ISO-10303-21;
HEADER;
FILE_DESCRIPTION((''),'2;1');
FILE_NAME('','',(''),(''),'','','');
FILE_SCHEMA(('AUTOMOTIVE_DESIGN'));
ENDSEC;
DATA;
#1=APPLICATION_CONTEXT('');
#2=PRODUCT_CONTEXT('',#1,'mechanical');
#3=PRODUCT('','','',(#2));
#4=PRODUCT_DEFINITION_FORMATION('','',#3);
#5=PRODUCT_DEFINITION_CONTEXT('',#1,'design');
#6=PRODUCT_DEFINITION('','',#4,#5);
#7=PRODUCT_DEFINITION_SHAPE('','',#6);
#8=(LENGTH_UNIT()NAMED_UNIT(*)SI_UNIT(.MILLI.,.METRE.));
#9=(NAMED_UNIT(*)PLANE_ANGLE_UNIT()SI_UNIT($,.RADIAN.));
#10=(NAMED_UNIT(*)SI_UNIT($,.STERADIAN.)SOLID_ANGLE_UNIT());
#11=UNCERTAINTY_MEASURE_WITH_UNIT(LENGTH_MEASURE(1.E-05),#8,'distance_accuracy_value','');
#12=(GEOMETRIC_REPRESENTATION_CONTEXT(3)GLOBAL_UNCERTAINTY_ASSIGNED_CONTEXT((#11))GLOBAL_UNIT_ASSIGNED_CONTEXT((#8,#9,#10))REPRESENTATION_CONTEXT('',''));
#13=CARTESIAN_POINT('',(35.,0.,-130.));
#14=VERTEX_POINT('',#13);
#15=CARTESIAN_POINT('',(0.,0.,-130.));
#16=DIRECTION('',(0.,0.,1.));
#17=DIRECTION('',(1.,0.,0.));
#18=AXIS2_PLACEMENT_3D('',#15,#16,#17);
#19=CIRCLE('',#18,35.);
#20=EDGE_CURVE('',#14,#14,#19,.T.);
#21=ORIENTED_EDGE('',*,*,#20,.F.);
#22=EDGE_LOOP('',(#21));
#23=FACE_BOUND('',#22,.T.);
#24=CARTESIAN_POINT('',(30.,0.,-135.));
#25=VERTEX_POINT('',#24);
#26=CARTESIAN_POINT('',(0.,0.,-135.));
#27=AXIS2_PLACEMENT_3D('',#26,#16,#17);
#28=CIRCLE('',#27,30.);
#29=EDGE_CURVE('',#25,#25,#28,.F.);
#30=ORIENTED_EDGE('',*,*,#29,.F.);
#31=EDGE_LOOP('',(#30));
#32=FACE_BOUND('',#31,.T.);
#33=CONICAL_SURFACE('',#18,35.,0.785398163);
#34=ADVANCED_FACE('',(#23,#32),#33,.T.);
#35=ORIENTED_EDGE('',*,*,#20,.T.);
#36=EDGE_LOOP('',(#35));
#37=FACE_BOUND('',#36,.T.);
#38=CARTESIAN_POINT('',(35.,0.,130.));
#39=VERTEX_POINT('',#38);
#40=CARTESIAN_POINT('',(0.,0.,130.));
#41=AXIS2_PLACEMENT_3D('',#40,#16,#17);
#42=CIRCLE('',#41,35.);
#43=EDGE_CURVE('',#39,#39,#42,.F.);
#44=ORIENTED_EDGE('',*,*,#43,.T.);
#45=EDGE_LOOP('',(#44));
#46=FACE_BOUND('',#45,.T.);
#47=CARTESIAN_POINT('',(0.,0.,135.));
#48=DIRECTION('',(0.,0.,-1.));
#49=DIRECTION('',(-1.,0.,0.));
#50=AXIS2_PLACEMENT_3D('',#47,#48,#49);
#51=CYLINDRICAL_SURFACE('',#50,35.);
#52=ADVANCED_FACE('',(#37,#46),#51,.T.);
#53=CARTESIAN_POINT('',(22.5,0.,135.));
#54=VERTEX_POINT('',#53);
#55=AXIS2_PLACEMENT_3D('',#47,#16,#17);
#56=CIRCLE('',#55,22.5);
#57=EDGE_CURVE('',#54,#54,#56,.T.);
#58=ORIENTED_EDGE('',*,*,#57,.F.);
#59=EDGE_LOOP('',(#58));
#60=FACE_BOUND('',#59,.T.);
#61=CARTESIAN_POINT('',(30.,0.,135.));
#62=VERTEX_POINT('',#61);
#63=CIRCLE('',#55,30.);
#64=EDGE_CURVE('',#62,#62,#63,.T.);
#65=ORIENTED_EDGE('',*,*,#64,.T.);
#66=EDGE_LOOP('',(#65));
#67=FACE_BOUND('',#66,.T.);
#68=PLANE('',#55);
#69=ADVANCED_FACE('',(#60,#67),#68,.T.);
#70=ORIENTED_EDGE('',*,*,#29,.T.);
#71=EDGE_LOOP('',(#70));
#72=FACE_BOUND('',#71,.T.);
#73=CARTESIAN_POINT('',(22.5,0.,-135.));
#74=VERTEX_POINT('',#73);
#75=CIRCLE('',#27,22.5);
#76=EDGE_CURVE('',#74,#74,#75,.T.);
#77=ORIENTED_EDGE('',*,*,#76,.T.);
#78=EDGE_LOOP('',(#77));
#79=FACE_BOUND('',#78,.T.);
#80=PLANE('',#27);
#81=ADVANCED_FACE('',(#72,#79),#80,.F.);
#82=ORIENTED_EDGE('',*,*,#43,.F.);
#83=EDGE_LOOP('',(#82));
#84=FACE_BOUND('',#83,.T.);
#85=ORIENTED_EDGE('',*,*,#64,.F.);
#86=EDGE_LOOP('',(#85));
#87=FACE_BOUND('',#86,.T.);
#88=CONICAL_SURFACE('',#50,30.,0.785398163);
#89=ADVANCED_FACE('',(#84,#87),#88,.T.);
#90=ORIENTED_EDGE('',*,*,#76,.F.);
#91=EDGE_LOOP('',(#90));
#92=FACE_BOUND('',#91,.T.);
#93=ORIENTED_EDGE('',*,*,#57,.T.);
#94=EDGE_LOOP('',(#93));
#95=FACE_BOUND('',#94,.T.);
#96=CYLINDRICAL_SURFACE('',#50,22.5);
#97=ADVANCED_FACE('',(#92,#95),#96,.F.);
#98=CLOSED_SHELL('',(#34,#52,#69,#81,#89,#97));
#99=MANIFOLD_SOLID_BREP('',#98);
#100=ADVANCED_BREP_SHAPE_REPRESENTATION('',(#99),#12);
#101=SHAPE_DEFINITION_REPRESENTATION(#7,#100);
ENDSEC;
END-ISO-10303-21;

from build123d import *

# Parameters (mm, degrees)
ESQUISSE1_R        = 35
ESQUISSE1_R_2      = 22.5
BOSS_EXTRU_1_DEPTH = 135
CHANFREIN1_SIZE    = 5


with BuildPart() as part:
    # Esquisse1 → Boss.-Extru.1 (new, symmetric)
    with BuildSketch(Plane.XY):
        Circle(ESQUISSE1_R)
        Circle(ESQUISSE1_R_2, mode=Mode.SUBTRACT)
    extrude(amount=BOSS_EXTRU_1_DEPTH, both=True)

    # Chanfrein1
    chanfrein1_edges = [part.edges().sort_by_distance(p)[0] for p in [
        (-35, 0, -135),
        (-35, 0, 135),
    ]]
    chamfer(chanfrein1_edges, length=CHANFREIN1_SIZE)


solid = part.part
